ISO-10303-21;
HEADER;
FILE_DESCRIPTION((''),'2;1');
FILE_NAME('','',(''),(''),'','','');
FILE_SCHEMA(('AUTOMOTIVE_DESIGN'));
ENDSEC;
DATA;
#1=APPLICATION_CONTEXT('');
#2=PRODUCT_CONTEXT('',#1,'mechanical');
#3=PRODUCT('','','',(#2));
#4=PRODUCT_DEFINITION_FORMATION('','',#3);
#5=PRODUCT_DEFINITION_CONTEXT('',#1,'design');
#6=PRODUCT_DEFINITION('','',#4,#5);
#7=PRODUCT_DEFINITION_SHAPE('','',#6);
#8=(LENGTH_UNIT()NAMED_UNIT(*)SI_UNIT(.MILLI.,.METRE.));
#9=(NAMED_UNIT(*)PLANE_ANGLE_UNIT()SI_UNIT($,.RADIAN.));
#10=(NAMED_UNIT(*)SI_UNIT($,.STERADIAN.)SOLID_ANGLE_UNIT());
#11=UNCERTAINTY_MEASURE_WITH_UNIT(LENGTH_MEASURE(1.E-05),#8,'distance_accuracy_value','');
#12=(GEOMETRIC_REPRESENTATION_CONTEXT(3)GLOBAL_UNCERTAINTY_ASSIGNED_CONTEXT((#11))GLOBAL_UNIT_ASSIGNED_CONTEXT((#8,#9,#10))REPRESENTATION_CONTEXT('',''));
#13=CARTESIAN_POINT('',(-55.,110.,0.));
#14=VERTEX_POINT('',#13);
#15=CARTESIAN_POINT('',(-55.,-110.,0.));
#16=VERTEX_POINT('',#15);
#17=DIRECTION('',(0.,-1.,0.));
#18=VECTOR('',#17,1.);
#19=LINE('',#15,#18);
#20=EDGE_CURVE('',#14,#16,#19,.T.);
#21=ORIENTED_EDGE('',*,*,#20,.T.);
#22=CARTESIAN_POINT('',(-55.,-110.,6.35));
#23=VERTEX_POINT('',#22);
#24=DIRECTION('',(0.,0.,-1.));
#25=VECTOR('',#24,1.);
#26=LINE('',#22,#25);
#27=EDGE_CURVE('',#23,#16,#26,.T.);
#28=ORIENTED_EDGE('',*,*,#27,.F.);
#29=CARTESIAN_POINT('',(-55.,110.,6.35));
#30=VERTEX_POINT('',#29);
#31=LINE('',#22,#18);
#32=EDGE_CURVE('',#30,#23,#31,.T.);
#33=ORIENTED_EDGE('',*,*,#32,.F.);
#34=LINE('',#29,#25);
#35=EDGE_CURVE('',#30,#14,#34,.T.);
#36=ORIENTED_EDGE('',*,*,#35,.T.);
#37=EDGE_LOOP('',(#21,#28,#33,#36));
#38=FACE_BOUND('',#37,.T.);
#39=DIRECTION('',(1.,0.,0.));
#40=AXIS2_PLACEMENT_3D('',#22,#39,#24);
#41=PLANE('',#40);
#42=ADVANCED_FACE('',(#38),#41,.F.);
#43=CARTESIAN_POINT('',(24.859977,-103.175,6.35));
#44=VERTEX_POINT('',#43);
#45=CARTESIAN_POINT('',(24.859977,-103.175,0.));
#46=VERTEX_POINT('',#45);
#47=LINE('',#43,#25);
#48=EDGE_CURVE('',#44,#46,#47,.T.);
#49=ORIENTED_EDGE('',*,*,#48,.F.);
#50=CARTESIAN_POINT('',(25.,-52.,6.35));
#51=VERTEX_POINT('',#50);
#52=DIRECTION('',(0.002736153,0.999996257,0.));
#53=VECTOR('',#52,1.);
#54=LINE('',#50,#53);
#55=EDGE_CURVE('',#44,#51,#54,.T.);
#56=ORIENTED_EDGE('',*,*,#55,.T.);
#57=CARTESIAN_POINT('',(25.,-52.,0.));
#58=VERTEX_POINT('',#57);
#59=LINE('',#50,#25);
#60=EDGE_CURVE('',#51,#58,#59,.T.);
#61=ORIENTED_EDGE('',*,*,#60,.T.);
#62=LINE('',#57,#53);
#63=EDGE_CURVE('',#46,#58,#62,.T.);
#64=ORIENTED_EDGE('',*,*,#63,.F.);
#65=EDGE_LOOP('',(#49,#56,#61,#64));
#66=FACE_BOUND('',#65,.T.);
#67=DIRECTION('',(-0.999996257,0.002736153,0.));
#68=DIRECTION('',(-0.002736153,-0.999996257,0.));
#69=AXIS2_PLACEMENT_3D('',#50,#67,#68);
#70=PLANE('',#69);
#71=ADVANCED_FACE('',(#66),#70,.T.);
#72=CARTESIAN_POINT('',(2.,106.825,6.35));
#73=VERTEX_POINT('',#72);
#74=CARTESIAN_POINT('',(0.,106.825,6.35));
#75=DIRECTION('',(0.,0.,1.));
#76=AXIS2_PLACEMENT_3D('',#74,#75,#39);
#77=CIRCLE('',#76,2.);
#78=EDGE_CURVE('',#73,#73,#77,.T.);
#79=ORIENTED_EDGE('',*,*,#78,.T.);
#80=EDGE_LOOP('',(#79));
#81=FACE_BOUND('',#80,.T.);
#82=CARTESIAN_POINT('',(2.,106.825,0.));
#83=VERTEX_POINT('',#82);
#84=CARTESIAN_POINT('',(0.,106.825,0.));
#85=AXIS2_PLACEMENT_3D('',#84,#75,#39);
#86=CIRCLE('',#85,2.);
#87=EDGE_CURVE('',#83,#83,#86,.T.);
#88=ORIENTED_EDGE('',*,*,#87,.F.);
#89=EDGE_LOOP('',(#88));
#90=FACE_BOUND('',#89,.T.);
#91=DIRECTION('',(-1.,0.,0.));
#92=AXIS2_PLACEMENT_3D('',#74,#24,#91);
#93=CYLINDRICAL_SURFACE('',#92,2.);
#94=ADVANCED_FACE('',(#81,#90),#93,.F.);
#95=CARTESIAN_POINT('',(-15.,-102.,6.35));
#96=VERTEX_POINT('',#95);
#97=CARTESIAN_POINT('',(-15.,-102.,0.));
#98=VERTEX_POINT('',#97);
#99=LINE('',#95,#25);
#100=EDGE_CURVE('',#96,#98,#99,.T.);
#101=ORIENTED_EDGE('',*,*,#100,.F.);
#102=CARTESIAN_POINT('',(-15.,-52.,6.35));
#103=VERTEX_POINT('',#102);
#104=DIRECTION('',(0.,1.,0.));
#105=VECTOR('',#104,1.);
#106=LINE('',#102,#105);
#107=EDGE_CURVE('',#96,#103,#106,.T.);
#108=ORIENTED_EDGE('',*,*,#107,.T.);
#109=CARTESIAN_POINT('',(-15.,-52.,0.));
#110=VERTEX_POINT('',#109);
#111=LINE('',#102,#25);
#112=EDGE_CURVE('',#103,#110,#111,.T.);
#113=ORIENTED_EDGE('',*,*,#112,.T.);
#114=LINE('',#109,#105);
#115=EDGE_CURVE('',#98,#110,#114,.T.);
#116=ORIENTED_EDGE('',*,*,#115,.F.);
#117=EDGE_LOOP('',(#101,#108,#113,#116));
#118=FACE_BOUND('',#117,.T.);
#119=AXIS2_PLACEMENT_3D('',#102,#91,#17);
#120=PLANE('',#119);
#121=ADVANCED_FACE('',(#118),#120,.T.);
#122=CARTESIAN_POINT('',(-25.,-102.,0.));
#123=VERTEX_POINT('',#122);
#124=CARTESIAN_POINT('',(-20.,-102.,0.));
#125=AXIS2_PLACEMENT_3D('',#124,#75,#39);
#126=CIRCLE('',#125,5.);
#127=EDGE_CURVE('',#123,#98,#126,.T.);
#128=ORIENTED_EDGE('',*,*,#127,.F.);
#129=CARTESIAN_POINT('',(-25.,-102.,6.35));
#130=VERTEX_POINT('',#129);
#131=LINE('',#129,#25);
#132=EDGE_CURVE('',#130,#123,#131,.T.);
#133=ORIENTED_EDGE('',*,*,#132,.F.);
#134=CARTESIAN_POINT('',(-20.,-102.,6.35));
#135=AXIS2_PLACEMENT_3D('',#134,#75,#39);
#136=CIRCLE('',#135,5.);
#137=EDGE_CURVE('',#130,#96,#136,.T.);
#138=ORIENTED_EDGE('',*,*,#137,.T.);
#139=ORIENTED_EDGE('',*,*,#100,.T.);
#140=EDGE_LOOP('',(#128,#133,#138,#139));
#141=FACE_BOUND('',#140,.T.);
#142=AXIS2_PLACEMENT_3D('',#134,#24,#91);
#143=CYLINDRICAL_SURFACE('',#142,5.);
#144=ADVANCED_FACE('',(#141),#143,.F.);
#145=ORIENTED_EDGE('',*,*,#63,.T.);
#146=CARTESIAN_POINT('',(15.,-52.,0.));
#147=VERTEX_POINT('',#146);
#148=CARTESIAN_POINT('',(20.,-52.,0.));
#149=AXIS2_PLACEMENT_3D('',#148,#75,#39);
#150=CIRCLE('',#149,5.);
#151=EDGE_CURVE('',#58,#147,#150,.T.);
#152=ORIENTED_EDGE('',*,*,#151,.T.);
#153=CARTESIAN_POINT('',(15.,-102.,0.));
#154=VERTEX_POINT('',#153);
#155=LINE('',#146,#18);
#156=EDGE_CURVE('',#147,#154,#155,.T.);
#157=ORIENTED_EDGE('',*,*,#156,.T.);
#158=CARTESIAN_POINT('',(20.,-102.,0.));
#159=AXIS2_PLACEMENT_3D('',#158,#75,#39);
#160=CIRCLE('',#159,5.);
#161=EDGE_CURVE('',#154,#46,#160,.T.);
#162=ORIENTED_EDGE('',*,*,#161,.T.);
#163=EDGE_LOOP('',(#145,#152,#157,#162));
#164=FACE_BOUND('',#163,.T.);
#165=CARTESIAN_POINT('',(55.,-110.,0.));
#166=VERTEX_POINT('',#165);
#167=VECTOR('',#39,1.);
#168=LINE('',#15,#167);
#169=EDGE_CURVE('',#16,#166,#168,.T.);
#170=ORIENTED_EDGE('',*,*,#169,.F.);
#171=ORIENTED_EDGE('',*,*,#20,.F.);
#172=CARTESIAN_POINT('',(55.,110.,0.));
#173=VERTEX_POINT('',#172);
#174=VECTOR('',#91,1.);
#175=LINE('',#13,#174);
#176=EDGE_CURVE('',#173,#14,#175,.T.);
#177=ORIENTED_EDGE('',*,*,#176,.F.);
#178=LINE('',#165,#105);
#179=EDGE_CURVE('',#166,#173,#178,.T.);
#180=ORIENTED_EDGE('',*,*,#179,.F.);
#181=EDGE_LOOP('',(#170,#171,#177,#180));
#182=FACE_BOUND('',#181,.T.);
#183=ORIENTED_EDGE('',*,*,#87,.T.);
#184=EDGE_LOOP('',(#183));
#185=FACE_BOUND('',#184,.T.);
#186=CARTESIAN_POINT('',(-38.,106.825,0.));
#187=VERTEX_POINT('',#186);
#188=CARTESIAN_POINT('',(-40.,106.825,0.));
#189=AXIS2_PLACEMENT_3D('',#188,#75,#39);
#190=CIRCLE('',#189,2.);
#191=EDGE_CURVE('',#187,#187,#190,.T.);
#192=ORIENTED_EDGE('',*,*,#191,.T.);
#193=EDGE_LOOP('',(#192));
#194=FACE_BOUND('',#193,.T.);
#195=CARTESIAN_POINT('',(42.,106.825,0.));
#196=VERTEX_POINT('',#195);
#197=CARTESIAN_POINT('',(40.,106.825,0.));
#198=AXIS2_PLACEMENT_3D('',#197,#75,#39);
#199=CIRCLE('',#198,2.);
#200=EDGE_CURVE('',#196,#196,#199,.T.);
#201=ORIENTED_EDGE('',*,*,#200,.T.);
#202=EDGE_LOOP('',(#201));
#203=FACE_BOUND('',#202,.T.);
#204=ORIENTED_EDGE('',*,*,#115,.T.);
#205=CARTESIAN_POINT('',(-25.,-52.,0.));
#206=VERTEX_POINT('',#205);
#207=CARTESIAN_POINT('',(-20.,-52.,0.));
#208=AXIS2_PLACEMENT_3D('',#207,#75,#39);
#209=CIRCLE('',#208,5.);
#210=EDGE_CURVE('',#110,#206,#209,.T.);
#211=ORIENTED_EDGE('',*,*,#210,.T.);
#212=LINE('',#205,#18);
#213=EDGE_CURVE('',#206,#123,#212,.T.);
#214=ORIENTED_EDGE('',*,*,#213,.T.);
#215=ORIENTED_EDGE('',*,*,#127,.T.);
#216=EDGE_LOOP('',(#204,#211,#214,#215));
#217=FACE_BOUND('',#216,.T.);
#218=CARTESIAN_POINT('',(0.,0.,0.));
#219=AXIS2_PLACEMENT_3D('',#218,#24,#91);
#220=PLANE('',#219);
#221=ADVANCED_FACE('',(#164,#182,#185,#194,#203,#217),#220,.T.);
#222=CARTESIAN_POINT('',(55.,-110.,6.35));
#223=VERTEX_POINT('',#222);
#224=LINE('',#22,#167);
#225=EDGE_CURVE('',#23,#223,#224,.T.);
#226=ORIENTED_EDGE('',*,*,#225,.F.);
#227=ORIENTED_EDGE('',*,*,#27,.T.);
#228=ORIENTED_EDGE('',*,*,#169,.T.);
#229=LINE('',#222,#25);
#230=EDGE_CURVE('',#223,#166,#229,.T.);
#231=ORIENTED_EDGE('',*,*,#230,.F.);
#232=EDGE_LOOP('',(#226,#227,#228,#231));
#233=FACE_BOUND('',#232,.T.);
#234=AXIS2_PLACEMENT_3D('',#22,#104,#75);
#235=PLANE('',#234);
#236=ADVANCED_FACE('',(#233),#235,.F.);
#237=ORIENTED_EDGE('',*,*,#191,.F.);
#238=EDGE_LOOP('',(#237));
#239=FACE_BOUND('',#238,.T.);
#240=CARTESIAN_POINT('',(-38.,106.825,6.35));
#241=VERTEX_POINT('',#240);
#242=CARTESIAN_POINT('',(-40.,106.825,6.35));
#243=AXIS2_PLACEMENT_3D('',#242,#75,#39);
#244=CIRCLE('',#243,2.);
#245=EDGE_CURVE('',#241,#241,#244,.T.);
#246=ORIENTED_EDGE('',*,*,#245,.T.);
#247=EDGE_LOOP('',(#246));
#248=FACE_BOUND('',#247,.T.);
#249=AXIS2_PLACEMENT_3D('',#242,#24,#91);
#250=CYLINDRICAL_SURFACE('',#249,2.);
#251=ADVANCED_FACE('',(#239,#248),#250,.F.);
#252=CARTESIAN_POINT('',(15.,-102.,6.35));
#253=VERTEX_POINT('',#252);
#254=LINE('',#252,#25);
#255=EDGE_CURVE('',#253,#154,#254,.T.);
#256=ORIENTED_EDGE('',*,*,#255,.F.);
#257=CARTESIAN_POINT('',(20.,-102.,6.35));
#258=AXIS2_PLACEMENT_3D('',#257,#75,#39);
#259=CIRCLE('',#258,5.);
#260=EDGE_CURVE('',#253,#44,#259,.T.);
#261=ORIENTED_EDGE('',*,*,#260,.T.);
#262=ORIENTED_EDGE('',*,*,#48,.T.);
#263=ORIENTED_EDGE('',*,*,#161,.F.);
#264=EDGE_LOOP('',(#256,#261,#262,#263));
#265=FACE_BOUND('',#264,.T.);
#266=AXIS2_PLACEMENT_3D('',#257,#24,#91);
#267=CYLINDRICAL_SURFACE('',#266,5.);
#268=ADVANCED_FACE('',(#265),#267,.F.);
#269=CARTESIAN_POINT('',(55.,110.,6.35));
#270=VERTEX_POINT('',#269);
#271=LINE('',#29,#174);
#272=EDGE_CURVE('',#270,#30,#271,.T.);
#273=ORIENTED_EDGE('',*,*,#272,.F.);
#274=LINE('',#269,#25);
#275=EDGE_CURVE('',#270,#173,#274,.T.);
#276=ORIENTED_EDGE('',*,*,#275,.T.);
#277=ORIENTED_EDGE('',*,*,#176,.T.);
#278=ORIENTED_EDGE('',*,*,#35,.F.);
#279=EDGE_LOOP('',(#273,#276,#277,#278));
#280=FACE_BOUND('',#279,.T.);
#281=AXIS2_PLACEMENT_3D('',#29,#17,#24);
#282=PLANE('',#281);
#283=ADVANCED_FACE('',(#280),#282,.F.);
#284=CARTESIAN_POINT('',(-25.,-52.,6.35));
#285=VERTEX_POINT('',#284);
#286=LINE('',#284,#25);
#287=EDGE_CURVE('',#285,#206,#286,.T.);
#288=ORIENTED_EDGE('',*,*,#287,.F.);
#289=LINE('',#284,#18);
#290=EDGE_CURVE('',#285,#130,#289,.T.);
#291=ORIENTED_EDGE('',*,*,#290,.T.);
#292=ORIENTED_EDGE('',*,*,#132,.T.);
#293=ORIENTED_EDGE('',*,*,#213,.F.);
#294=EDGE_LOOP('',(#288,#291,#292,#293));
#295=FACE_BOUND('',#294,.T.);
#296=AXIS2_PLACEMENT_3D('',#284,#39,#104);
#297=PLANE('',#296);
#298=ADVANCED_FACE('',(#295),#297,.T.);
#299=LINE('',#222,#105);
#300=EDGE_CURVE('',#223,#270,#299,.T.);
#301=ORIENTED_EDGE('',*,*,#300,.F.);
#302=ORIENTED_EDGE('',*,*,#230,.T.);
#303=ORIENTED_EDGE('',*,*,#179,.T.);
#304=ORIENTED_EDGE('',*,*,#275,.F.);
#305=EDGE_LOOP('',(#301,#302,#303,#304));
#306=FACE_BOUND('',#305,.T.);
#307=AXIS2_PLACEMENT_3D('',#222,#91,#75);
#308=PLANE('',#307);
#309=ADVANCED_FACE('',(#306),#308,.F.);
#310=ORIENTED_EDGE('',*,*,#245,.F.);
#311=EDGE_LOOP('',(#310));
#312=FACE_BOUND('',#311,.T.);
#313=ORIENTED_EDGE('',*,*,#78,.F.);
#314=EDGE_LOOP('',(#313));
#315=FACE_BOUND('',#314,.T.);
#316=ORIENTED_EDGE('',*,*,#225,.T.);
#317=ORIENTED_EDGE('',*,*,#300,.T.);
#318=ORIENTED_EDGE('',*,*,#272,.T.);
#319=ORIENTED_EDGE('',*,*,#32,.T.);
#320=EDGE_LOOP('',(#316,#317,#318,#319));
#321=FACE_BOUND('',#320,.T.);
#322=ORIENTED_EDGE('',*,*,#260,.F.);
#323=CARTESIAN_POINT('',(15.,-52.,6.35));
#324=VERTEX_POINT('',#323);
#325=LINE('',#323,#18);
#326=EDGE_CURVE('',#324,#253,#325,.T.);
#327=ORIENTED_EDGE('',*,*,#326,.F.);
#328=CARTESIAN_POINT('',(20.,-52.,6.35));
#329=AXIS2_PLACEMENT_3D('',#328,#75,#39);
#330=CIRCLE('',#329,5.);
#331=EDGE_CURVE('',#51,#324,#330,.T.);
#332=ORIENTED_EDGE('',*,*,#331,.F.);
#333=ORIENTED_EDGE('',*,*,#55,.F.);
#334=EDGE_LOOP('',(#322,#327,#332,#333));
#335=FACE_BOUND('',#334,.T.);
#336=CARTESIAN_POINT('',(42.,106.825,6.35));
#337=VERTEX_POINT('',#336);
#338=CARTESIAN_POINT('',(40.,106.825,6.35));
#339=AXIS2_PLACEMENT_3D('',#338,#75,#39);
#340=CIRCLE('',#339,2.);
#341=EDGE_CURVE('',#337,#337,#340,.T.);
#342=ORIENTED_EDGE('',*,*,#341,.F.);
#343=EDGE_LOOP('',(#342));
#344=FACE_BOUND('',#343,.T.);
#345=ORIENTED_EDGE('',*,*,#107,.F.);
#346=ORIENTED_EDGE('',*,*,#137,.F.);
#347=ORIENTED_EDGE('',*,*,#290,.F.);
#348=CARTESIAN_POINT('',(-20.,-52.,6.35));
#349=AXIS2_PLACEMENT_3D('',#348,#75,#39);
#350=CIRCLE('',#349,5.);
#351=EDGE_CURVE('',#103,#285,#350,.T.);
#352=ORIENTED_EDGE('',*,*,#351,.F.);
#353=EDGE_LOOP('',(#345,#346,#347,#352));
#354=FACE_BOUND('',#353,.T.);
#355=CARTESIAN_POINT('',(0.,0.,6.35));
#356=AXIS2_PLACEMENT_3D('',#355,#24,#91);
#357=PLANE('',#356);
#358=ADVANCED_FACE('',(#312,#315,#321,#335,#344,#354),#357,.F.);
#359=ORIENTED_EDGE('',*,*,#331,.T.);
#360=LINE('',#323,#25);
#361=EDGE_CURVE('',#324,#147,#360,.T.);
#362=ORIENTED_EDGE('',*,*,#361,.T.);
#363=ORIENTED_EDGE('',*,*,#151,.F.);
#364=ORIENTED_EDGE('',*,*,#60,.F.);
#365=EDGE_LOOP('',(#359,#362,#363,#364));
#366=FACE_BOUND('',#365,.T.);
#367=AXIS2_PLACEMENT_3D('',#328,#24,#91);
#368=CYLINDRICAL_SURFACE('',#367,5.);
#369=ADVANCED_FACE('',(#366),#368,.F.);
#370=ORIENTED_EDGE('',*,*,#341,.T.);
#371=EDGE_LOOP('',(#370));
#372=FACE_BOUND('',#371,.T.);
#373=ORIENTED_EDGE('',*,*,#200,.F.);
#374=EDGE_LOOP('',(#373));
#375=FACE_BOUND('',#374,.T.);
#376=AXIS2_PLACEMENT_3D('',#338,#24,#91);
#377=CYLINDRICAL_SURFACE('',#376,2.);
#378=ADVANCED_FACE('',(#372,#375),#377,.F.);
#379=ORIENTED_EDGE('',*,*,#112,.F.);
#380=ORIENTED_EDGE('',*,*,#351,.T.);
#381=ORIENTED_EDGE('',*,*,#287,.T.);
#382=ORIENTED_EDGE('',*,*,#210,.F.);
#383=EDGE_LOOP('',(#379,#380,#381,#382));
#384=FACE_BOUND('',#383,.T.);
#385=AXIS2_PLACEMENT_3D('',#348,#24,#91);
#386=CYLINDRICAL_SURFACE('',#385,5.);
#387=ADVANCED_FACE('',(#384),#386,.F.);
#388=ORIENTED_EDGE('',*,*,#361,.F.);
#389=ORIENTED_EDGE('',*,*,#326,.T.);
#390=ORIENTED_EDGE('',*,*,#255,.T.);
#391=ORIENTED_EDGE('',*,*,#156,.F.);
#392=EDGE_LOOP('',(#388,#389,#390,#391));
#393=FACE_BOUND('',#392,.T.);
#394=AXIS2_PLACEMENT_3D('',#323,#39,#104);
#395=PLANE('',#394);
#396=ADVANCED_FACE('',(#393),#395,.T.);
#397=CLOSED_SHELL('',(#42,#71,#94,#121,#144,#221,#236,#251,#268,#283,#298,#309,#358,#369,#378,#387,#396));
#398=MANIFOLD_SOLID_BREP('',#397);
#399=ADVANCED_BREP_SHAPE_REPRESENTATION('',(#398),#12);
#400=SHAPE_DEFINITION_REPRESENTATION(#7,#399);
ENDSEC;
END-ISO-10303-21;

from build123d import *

# Parameters (mm, degrees)
CROQUIS1_W              = 110
CROQUIS1_H              = 220
SALIENTE_EXTRUIR1_DEPTH = 6.35
CROQUIS2_R              = 2
CORTAR_EXTRUIR2_DEPTH   = 7.35


with BuildPart() as part:
    # Croquis1 → Saliente-Extruir1 (new body)
    with BuildSketch(Plane.XY):
        Rectangle(CROQUIS1_W, CROQUIS1_H)
    extrude(amount=SALIENTE_EXTRUIR1_DEPTH)

    # Croquis2 → Cortar-Extruir2 (cut, through all)
    with BuildSketch(Plane.XY):
        with Locations((40, 106.825)):
            Circle(CROQUIS2_R)
        with Locations((-40, 106.825)):
            Circle(CROQUIS2_R)
        with Locations((0, 106.825)):
            Circle(CROQUIS2_R)
        with BuildLine():
            Line((15, -52), (15, -102))
            ThreePointArc((15, -102), (19.408343114, -106.964870807), (24.859976852, -103.175))
            Line((24.859976852, -103.175), (25, -52))
            ThreePointArc((25, -52), (20, -47), (15, -52))
        make_face()
        with BuildLine():
            Line((-25, -52), (-25, -102))
            ThreePointArc((-25, -102), (-20, -107), (-15, -102))
            Line((-15, -102), (-15, -52))
            ThreePointArc((-15, -52), (-20, -47), (-25, -52))
        make_face()
    extrude(amount=CORTAR_EXTRUIR2_DEPTH, mode=Mode.SUBTRACT)


solid = part.part
